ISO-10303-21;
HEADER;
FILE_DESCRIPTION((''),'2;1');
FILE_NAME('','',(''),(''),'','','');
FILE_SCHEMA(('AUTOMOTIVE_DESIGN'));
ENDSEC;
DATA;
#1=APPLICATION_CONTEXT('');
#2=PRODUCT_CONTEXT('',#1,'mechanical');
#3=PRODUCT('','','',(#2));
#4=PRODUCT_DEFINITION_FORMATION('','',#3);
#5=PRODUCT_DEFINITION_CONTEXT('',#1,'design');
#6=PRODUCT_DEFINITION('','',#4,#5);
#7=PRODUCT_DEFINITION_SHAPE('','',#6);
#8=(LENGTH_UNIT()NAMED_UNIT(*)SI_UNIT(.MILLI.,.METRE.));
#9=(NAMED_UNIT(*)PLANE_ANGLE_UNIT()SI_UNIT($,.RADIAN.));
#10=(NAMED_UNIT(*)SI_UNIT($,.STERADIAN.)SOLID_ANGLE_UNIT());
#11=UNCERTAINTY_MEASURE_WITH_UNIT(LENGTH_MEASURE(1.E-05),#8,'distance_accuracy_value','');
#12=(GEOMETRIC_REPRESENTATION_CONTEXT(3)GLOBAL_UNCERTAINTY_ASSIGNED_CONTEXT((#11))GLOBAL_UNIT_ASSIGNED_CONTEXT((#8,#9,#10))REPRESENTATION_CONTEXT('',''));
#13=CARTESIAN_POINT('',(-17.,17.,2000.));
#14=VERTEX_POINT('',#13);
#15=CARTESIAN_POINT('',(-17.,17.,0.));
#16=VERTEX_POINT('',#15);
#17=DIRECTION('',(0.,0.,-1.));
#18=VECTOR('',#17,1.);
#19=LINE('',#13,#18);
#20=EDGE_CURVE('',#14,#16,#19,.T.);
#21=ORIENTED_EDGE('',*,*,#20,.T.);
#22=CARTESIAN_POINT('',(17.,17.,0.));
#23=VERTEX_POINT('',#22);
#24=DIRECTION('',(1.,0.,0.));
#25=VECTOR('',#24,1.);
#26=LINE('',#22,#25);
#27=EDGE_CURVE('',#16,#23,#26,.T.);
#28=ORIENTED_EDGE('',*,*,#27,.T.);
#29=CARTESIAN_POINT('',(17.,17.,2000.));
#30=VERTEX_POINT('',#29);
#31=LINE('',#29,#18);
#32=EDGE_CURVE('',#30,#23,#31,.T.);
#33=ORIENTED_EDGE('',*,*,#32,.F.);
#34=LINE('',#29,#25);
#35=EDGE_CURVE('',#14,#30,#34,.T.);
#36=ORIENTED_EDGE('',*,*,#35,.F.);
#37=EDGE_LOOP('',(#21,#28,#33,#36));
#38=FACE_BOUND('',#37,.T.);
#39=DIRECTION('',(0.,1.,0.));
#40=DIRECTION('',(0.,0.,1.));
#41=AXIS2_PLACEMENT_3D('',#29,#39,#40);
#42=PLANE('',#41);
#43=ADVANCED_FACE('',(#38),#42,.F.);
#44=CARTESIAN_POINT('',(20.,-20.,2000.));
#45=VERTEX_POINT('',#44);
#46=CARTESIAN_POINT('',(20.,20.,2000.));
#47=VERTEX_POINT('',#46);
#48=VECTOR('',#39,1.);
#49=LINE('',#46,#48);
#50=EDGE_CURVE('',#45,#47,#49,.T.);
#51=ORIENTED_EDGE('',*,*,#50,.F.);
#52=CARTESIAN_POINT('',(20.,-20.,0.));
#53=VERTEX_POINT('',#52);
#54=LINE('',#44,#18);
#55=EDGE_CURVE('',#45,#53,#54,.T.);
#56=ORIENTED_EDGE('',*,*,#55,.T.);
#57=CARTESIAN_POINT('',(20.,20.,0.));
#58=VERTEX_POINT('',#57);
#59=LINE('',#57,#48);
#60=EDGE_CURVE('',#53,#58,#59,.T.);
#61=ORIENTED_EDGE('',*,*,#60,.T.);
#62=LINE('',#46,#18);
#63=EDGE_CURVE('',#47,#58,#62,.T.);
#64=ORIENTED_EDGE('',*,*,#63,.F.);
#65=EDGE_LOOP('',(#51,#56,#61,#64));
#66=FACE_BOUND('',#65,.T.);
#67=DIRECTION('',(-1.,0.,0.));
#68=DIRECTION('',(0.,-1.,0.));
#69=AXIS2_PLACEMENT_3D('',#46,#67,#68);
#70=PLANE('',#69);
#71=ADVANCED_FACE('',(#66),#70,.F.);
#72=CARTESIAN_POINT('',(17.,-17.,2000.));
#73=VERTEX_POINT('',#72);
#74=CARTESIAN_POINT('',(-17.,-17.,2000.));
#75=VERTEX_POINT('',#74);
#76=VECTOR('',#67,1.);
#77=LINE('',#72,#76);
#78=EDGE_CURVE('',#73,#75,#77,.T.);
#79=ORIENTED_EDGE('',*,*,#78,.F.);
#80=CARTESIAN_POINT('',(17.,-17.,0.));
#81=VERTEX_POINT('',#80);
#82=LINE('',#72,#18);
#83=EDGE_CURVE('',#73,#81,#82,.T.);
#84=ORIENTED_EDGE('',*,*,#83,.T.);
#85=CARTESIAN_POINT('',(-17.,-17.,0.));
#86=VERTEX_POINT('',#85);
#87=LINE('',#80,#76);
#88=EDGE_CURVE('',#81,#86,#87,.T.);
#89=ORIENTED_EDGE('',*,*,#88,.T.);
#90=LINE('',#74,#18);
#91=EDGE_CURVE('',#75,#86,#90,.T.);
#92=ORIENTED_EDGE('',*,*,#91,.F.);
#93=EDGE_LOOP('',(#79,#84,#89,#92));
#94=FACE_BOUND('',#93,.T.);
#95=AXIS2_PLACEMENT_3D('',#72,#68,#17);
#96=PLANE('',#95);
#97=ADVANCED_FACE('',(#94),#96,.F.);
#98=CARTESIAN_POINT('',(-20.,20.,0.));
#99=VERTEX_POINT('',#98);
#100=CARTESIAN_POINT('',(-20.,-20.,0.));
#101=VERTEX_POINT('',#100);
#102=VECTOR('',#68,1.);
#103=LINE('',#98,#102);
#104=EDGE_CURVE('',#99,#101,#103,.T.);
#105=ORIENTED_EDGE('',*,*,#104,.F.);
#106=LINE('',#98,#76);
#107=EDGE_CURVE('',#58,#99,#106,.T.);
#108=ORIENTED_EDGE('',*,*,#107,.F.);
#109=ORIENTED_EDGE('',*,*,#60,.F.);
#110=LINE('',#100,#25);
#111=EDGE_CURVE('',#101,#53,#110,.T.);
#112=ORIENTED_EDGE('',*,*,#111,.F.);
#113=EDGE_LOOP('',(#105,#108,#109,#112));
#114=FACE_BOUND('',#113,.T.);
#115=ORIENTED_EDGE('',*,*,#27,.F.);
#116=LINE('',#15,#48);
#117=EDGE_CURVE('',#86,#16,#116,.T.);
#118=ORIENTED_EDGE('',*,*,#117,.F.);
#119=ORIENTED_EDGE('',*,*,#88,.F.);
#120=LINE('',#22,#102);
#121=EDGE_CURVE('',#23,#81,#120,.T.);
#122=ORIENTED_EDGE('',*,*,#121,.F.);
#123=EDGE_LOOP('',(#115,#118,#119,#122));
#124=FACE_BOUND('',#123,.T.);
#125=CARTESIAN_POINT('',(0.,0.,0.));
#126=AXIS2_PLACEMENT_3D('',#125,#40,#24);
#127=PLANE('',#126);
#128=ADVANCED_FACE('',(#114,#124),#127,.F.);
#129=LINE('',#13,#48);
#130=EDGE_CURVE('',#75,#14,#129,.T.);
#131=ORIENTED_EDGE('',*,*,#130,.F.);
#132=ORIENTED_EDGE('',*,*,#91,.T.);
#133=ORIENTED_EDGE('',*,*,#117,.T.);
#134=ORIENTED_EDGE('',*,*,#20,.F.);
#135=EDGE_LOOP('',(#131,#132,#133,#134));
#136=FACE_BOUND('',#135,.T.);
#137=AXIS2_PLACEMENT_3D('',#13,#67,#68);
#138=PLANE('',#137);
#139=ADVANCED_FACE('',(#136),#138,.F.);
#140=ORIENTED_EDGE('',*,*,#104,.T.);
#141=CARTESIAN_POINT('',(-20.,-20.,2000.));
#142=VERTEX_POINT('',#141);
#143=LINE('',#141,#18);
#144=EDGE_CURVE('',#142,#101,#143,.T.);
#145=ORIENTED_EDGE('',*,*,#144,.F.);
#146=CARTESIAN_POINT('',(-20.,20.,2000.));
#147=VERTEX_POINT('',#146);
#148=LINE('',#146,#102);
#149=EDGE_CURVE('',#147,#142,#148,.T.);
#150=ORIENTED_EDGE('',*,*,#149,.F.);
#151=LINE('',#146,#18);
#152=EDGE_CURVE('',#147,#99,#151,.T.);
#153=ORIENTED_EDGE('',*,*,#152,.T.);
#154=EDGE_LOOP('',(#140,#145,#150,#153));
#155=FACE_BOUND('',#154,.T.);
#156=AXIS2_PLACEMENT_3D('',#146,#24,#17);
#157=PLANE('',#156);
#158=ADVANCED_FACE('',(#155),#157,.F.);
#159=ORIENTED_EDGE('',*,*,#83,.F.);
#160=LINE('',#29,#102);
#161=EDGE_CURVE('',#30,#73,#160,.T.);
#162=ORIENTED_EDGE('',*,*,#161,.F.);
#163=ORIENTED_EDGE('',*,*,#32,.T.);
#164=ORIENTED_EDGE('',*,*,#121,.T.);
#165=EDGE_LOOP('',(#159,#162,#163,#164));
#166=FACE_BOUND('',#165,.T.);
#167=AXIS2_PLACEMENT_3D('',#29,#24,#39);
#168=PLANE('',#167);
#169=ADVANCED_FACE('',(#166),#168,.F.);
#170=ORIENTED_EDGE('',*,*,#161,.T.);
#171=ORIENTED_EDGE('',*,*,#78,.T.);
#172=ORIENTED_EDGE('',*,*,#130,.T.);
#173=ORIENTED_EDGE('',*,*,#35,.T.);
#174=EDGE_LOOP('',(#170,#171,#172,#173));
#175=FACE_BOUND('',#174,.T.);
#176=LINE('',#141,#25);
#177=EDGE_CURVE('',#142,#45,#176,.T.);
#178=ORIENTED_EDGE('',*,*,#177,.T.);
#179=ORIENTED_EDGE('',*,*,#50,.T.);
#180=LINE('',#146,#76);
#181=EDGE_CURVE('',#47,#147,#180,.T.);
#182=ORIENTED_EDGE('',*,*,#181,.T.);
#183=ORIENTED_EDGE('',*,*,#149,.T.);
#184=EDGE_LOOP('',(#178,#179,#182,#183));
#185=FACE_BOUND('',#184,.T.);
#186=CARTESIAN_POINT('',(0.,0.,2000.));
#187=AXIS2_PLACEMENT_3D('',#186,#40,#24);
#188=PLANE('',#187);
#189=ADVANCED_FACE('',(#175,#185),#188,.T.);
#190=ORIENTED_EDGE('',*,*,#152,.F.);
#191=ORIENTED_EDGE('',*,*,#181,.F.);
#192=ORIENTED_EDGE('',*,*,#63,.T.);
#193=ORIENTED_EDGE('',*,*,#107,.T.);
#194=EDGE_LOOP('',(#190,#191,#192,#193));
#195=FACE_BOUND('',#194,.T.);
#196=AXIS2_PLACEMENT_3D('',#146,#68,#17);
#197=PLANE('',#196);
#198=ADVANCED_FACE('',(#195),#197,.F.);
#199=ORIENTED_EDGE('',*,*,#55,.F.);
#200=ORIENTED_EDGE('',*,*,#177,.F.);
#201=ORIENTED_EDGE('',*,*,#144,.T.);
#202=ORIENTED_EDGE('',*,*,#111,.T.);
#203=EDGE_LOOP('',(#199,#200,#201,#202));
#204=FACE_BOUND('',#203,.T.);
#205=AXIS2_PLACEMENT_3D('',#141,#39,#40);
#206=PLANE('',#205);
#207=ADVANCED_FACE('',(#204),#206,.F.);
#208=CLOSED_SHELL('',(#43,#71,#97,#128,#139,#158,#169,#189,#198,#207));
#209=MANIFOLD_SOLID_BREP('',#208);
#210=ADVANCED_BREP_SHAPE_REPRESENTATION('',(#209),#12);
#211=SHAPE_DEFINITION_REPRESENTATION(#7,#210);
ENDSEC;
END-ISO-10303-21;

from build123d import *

# Parameters (mm, degrees)
SKETCH1_W           = 40
SKETCH1_H           = 40
BOSS_EXTRUDE1_DEPTH = 2000
SKETCH2_W           = 34
SKETCH2_H           = 34
CUT_EXTRUDE1_DEPTH  = 2000


with BuildPart() as part:
    # Sketch1 → Boss-Extrude1 (new body)
    with BuildSketch(Plane.XY):
        Rectangle(SKETCH1_W, SKETCH1_H)
    extrude(amount=BOSS_EXTRUDE1_DEPTH)

    # Sketch2 → Cut-Extrude1 (cut)
    with BuildSketch(Plane(origin=(0, 0, 0), x_dir=(-1, 0, 0), z_dir=(0, 0, -1))):
        Rectangle(SKETCH2_W, SKETCH2_H)
    extrude(amount=-CUT_EXTRUDE1_DEPTH, mode=Mode.SUBTRACT)


solid = part.part
